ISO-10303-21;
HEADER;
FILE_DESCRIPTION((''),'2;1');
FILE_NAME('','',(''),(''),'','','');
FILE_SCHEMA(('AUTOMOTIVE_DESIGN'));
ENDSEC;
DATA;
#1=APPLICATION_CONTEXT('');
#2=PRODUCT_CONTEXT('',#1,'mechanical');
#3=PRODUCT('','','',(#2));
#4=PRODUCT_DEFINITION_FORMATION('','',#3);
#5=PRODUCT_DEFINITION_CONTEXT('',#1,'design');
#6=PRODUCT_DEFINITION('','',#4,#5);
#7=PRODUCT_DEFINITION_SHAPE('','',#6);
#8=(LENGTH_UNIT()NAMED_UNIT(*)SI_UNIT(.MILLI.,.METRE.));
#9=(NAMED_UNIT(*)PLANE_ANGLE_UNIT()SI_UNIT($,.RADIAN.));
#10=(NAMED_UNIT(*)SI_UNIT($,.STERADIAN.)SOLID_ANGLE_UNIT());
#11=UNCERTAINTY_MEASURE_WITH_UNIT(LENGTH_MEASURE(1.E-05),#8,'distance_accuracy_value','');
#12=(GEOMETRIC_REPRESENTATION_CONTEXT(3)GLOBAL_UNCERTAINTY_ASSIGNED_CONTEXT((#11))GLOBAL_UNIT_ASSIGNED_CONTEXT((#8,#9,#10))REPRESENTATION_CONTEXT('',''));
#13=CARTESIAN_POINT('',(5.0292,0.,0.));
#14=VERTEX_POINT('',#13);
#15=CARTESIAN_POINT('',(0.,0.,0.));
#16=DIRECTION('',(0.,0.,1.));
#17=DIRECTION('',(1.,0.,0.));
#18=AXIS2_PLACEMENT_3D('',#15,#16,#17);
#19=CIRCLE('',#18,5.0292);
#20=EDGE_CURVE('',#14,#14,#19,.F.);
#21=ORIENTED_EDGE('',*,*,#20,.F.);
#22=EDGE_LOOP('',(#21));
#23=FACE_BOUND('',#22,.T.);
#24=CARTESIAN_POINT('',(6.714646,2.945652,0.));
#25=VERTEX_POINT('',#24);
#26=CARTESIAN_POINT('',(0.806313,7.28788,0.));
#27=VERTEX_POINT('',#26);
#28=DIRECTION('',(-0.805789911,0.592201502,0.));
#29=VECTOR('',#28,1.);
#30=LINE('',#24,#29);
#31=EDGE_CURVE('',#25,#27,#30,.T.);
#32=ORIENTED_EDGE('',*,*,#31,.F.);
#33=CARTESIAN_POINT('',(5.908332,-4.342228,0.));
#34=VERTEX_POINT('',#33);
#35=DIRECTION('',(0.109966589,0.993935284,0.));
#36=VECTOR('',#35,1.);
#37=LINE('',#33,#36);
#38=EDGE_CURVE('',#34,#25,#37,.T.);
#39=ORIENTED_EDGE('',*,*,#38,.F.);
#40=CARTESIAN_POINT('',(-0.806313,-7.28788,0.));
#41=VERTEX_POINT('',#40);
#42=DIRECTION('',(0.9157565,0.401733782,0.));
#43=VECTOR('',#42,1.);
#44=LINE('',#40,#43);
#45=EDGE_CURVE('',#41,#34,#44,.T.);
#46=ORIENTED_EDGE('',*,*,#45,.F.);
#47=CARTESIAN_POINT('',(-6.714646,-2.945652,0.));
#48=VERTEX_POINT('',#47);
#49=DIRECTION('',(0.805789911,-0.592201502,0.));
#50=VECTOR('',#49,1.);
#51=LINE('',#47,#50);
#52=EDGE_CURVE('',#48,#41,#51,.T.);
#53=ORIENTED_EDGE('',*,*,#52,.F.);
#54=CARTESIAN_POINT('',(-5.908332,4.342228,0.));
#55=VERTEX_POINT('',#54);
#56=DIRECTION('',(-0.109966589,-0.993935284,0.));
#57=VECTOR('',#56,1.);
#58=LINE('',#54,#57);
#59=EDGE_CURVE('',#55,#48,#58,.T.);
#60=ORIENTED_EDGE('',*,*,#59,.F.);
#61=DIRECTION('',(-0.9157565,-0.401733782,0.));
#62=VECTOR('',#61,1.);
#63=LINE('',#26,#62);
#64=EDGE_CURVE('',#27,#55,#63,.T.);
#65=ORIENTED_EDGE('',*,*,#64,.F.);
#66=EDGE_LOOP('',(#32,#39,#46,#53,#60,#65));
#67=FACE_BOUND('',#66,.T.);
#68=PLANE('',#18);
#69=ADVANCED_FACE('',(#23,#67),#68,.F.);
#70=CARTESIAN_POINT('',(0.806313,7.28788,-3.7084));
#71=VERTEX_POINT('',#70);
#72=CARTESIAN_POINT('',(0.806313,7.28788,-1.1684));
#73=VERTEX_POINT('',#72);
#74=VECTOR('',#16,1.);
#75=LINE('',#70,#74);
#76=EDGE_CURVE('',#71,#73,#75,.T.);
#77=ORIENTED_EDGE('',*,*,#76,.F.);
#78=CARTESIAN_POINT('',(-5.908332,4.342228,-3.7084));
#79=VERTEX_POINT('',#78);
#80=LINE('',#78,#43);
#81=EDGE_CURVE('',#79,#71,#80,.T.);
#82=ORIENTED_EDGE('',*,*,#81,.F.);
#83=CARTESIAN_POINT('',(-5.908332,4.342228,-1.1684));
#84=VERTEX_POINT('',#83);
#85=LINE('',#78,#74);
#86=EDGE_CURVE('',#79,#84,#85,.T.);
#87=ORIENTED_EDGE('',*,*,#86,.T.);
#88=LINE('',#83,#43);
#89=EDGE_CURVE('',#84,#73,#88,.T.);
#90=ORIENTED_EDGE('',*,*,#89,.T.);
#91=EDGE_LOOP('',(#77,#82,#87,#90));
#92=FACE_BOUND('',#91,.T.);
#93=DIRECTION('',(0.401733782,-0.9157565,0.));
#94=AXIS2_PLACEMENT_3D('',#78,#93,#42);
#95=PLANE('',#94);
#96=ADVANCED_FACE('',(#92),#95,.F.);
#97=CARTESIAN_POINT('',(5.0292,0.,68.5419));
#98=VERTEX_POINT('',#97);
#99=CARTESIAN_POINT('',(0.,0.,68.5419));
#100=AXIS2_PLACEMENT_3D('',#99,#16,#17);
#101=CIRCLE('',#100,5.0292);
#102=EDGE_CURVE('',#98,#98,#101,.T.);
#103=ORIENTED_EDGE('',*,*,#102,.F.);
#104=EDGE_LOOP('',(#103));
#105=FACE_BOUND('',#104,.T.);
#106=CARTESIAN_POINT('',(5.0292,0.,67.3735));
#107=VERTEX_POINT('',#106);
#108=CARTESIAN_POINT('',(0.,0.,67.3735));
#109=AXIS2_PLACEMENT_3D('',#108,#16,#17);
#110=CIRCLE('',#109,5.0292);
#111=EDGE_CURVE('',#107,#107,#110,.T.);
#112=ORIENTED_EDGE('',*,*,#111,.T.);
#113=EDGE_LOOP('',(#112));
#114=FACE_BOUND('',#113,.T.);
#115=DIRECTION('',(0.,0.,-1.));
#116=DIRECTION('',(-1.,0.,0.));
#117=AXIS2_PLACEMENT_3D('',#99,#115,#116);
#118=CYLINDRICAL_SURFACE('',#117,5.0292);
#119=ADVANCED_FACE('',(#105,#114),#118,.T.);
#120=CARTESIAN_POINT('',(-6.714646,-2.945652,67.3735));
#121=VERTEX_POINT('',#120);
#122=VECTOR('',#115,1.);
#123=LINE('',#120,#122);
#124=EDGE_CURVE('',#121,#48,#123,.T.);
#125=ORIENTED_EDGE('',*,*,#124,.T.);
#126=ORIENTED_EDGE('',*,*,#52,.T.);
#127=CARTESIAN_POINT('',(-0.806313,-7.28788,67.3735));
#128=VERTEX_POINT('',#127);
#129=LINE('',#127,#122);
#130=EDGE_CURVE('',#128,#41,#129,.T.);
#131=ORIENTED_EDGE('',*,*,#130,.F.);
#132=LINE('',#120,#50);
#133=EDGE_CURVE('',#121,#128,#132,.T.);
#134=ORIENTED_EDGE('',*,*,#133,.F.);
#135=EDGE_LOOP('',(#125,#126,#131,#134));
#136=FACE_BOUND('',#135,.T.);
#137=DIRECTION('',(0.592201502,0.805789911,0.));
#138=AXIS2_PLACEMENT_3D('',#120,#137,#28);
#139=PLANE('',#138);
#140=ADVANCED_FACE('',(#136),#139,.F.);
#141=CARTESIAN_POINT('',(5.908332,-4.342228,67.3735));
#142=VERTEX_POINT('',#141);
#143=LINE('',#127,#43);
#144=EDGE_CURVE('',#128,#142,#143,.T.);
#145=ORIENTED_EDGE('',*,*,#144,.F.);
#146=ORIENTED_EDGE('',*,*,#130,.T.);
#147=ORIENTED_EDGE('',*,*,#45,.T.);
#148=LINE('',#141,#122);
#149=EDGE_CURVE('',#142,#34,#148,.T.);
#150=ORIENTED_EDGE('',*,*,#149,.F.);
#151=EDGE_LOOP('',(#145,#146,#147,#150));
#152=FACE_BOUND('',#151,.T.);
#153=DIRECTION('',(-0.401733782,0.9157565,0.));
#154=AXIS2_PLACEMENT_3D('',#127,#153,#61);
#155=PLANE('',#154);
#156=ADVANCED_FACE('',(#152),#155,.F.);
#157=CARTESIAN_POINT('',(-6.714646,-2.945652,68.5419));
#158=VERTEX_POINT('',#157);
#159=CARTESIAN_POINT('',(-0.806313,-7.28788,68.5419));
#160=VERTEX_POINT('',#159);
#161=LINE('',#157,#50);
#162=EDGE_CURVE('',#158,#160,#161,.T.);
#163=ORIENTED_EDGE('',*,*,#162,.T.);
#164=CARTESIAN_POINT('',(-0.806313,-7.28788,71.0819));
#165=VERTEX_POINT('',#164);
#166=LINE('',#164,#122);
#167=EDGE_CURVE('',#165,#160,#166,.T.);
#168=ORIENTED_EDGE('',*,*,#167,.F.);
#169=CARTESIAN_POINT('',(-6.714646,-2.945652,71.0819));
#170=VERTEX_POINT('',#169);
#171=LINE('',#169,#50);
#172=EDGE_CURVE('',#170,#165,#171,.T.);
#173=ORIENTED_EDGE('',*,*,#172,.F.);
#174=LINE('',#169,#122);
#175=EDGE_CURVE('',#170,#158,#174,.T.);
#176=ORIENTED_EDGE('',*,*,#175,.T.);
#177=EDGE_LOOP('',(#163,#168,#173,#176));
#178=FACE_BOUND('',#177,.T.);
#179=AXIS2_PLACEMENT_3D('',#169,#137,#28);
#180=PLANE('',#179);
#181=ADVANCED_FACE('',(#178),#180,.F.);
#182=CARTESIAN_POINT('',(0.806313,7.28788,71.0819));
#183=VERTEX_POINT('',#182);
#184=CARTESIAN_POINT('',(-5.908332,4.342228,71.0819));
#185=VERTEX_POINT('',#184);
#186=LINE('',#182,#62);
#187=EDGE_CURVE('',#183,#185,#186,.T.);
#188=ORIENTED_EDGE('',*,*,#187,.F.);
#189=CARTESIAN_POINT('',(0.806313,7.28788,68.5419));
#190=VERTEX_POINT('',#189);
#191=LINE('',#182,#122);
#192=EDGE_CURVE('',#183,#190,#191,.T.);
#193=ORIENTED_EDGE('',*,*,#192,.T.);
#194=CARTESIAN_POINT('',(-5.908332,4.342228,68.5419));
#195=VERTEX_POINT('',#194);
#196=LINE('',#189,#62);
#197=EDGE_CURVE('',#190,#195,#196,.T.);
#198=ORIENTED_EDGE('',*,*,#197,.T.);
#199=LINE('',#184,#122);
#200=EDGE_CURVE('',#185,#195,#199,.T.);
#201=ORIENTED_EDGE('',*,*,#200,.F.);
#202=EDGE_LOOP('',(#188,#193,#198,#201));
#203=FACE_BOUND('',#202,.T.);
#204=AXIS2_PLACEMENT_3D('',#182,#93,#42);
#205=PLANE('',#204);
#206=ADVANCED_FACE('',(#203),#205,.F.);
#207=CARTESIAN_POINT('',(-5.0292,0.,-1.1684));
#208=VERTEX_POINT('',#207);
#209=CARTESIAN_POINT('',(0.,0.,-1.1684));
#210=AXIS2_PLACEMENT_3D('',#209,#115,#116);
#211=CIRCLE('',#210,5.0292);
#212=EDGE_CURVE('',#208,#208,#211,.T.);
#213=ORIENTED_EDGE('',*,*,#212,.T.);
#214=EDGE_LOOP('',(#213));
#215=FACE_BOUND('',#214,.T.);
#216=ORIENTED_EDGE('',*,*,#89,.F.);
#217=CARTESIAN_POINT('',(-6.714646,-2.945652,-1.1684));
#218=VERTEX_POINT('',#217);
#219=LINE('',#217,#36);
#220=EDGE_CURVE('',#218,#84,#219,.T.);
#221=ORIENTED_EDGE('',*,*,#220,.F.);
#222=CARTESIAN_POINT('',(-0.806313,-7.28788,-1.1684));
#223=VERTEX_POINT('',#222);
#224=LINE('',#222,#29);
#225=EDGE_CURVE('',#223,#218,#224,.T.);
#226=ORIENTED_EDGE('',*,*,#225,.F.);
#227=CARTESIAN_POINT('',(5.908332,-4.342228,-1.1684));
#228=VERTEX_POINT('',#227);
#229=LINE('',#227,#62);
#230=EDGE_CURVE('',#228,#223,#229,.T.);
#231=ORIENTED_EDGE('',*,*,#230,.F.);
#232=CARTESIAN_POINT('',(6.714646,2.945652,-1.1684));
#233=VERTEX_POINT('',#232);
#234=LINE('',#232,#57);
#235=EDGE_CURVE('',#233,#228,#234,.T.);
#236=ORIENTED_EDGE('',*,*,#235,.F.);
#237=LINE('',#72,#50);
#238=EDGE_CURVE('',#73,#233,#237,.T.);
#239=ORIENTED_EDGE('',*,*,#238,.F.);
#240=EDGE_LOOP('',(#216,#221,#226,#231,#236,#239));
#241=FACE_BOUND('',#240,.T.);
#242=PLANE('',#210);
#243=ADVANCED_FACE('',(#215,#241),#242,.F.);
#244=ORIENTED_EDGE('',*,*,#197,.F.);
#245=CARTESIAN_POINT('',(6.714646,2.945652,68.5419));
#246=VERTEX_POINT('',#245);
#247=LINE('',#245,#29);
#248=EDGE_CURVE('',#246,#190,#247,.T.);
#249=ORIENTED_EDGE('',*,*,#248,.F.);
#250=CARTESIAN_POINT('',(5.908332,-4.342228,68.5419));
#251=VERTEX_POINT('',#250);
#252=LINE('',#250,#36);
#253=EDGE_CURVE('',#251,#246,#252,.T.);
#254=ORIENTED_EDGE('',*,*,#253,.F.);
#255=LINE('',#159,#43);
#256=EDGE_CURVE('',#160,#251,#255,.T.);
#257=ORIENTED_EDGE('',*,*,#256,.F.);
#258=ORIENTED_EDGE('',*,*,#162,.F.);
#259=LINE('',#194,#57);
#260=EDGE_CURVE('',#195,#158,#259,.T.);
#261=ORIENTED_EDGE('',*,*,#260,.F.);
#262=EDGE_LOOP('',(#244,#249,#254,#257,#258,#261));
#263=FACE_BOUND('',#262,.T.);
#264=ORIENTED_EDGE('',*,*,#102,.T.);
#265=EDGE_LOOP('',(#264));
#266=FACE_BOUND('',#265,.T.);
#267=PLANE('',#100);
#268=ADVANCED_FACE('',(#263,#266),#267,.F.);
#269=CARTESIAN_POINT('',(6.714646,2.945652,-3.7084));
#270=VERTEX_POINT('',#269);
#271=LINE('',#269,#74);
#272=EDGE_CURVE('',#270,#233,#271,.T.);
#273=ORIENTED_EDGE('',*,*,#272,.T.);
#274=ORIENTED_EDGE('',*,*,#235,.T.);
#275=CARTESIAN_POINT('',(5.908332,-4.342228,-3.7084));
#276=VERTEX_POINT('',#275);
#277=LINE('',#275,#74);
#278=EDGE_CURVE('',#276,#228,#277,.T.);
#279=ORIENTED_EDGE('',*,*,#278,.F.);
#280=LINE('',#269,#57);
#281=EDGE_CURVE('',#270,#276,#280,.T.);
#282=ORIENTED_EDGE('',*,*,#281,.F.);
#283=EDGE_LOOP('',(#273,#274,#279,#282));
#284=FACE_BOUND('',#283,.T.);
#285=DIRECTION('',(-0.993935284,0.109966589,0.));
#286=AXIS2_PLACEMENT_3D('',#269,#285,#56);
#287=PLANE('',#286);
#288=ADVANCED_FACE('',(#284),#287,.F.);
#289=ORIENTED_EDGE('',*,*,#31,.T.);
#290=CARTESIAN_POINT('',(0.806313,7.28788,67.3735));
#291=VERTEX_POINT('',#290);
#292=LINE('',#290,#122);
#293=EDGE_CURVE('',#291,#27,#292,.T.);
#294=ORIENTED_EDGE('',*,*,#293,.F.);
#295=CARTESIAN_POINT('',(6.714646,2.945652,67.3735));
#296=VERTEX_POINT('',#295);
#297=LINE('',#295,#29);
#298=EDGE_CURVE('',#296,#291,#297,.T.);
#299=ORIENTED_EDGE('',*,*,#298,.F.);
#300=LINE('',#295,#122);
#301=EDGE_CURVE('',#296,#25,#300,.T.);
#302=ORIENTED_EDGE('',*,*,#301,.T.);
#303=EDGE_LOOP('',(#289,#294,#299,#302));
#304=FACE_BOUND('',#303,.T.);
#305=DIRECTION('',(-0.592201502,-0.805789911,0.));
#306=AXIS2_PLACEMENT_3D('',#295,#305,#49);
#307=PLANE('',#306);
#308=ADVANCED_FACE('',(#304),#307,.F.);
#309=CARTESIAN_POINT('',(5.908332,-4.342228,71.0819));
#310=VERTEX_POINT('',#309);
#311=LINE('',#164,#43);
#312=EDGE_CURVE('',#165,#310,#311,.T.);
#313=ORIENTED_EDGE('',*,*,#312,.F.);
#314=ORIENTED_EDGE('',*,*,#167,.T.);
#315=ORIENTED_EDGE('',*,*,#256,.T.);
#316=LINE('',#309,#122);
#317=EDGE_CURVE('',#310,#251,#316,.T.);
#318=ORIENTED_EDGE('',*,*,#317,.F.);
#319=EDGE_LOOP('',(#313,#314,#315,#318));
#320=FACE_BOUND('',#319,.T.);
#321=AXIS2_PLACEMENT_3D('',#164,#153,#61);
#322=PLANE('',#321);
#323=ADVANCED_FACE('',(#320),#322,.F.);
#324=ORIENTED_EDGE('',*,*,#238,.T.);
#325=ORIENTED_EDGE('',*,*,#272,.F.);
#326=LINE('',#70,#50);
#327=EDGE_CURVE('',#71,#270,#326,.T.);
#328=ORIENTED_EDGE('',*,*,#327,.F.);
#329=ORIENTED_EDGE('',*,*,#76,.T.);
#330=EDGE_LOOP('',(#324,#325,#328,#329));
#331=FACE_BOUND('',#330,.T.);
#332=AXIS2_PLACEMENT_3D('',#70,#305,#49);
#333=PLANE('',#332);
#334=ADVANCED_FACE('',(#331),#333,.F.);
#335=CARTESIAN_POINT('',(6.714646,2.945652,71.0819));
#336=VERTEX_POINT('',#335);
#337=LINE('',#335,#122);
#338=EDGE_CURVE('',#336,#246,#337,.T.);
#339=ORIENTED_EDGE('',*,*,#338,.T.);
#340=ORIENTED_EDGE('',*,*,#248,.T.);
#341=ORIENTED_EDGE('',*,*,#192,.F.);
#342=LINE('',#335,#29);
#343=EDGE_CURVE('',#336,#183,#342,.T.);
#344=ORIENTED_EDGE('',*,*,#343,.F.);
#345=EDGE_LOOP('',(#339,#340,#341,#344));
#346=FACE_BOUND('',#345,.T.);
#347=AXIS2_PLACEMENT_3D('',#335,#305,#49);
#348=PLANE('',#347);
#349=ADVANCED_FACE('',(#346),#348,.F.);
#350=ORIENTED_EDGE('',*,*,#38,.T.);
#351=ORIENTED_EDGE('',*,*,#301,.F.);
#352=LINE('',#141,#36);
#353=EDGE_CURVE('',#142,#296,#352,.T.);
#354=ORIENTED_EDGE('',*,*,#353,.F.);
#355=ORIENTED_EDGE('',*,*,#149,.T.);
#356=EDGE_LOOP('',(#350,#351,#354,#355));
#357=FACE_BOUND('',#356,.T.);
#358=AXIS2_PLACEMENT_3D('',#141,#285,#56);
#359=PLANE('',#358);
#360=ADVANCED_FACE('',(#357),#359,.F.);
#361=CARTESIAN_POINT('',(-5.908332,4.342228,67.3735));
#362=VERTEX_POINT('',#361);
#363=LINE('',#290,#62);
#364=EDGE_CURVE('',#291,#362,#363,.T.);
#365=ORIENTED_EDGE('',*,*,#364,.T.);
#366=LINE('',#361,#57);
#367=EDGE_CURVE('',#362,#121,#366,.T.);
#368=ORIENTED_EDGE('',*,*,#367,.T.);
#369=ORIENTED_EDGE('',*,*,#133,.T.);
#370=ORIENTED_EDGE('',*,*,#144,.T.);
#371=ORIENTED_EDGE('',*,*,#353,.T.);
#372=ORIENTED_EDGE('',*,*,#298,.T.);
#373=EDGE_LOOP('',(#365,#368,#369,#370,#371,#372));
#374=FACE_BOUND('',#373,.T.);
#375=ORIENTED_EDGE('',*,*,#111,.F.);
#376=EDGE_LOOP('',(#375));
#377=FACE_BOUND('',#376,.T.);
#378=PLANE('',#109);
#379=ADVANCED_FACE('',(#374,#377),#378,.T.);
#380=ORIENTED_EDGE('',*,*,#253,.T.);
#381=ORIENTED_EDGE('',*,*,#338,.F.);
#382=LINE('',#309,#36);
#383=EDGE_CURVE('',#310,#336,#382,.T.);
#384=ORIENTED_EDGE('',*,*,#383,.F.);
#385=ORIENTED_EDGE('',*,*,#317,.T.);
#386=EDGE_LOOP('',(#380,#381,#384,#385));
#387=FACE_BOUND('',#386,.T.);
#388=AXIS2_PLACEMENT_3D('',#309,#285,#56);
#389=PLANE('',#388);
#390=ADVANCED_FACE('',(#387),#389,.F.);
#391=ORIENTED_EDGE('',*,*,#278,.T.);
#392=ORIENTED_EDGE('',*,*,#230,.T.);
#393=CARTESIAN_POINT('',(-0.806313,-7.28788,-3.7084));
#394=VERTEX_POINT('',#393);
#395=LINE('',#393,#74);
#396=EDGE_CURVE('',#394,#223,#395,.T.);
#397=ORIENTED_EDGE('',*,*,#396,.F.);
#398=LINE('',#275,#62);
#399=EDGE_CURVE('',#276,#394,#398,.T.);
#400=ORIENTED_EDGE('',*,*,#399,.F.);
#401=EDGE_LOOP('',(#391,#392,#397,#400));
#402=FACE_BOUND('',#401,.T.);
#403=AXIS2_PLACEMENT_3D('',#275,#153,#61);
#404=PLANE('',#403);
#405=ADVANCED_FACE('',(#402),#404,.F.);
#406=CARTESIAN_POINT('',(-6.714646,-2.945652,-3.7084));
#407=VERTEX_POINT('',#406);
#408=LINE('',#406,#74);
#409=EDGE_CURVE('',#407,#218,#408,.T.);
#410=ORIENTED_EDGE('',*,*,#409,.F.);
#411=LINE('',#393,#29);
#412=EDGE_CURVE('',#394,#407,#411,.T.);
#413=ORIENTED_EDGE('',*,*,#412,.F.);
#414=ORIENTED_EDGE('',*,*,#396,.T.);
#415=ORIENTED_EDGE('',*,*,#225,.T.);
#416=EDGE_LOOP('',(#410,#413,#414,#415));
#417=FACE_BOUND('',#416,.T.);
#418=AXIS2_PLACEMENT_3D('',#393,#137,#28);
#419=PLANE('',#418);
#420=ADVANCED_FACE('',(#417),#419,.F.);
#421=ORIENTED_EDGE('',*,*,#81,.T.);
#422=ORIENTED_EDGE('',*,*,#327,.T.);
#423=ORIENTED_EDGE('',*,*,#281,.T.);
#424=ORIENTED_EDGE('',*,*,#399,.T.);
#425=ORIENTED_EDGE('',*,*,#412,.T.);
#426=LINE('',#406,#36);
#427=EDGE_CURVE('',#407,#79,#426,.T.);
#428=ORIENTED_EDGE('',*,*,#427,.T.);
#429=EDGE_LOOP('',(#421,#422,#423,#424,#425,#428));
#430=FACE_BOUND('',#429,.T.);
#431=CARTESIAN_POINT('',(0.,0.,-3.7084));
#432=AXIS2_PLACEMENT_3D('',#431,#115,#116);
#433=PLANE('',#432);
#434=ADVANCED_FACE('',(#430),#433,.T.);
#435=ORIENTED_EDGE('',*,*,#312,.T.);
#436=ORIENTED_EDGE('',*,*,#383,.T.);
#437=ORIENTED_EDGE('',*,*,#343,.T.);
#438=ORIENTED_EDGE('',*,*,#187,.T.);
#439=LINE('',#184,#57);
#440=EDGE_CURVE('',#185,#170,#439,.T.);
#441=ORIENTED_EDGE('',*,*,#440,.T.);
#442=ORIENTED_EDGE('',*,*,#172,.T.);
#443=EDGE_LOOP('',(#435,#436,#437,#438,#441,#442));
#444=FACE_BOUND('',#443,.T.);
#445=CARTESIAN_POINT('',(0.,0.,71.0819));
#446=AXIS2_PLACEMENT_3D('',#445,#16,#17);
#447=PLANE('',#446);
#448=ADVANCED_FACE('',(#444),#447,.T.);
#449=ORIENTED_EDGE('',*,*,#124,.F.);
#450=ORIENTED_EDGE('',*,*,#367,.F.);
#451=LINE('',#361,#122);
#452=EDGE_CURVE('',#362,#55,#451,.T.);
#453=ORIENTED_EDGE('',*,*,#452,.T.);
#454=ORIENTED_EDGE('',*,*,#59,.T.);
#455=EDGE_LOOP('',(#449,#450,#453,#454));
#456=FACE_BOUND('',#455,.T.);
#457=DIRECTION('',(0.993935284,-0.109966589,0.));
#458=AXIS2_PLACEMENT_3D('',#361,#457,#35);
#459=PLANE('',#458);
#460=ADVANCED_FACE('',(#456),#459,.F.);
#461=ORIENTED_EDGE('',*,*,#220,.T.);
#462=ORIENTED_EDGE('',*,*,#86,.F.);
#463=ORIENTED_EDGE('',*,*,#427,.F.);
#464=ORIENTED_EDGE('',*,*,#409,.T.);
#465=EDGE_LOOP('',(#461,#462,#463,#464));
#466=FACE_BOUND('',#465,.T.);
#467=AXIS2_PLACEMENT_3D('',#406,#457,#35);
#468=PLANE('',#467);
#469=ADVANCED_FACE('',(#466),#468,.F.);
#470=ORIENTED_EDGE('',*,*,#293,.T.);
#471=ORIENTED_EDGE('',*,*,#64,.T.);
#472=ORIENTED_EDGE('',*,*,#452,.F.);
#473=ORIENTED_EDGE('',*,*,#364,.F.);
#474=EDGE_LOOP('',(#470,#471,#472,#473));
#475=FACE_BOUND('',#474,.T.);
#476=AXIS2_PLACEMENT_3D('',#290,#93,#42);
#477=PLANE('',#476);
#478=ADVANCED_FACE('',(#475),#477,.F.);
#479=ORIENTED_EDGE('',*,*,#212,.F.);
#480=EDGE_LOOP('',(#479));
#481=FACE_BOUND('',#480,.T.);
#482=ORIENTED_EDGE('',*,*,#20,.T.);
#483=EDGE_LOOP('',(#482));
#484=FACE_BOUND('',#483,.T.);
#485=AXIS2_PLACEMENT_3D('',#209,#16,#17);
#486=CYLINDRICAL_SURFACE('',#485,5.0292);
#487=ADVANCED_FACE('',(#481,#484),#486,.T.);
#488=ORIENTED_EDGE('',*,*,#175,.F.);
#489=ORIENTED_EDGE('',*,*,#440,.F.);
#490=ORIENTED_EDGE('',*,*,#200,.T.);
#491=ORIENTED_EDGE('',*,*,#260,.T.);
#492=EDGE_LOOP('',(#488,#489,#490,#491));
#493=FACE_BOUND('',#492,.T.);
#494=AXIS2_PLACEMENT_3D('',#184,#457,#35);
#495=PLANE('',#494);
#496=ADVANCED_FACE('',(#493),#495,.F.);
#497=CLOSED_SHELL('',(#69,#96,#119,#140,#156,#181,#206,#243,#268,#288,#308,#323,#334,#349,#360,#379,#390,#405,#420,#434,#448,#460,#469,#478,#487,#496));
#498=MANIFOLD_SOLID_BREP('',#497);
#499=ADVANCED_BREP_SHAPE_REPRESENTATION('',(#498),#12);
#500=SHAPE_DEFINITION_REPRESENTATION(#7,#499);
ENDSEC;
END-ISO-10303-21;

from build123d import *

# Parameters (mm, degrees)
BOSS_EXTRUDE1_DEPTH = 67.3735
SKETCH2_R           = 5.0292
BOSS_EXTRUDE2_DEPTH = 1.1684
BOSS_EXTRUDE3_DEPTH = 2.54
BOSS_EXTRUDE4_START = 1.1684
SKETCH5_R           = 5.0292
BOSS_EXTRUDE4_DEPTH = 1.1684
BOSS_EXTRUDE5_DEPTH = 2.54


with BuildPart() as part:
    # Sketch1 → Boss-Extrude1 (new body)
    with BuildSketch(Plane.XY):
        Polygon((5.908332382, -4.342227746), (6.714645728, 2.945652064), (0.806313346, 7.28787981), (-5.908332382, 4.342227746), (-6.714645728, -2.945652064), (-0.806313346, -7.28787981), align=None)
    extrude(amount=BOSS_EXTRUDE1_DEPTH)

    # Sketch2 → Boss-Extrude2 (add)
    with BuildSketch(Plane.XY.offset(67.3735)):
        Circle(SKETCH2_R)
    extrude(amount=BOSS_EXTRUDE2_DEPTH)

    # Sketch3 → Boss-Extrude3 (add)
    with BuildSketch(Plane.XY.offset(68.5419)):
        Polygon((-0.806313346, -7.28787981), (5.908332382, -4.342227746), (6.714645728, 2.945652064), (0.806313346, 7.28787981), (-5.908332382, 4.342227746), (-6.714645728, -2.945652064), align=None)
    extrude(amount=BOSS_EXTRUDE3_DEPTH)

    # Sketch5 → Boss-Extrude4 (add)
    with BuildSketch(Plane(origin=(0, 0, 0), x_dir=(-1, 0, 0), z_dir=(0, 0, -1)).offset(BOSS_EXTRUDE4_START)):
        with Locations(Location((0, 0, 0), (0, 0, 180))):
            Circle(SKETCH5_R)
    extrude(amount=-BOSS_EXTRUDE4_DEPTH)

    # Sketch6 → Boss-Extrude5 (add)
    with BuildSketch(Plane(origin=(0, 0, -1.1684), x_dir=(-1, 0, 0), z_dir=(0, 0, -1))):
        Polygon((-5.908332382, -4.342227746), (0.806313346, -7.28787981), (6.714645728, -2.945652064), (5.908332382, 4.342227746), (-0.806313346, 7.28787981), (-6.714645728, 2.945652064), align=None)
    extrude(amount=BOSS_EXTRUDE5_DEPTH)


solid = part.part
